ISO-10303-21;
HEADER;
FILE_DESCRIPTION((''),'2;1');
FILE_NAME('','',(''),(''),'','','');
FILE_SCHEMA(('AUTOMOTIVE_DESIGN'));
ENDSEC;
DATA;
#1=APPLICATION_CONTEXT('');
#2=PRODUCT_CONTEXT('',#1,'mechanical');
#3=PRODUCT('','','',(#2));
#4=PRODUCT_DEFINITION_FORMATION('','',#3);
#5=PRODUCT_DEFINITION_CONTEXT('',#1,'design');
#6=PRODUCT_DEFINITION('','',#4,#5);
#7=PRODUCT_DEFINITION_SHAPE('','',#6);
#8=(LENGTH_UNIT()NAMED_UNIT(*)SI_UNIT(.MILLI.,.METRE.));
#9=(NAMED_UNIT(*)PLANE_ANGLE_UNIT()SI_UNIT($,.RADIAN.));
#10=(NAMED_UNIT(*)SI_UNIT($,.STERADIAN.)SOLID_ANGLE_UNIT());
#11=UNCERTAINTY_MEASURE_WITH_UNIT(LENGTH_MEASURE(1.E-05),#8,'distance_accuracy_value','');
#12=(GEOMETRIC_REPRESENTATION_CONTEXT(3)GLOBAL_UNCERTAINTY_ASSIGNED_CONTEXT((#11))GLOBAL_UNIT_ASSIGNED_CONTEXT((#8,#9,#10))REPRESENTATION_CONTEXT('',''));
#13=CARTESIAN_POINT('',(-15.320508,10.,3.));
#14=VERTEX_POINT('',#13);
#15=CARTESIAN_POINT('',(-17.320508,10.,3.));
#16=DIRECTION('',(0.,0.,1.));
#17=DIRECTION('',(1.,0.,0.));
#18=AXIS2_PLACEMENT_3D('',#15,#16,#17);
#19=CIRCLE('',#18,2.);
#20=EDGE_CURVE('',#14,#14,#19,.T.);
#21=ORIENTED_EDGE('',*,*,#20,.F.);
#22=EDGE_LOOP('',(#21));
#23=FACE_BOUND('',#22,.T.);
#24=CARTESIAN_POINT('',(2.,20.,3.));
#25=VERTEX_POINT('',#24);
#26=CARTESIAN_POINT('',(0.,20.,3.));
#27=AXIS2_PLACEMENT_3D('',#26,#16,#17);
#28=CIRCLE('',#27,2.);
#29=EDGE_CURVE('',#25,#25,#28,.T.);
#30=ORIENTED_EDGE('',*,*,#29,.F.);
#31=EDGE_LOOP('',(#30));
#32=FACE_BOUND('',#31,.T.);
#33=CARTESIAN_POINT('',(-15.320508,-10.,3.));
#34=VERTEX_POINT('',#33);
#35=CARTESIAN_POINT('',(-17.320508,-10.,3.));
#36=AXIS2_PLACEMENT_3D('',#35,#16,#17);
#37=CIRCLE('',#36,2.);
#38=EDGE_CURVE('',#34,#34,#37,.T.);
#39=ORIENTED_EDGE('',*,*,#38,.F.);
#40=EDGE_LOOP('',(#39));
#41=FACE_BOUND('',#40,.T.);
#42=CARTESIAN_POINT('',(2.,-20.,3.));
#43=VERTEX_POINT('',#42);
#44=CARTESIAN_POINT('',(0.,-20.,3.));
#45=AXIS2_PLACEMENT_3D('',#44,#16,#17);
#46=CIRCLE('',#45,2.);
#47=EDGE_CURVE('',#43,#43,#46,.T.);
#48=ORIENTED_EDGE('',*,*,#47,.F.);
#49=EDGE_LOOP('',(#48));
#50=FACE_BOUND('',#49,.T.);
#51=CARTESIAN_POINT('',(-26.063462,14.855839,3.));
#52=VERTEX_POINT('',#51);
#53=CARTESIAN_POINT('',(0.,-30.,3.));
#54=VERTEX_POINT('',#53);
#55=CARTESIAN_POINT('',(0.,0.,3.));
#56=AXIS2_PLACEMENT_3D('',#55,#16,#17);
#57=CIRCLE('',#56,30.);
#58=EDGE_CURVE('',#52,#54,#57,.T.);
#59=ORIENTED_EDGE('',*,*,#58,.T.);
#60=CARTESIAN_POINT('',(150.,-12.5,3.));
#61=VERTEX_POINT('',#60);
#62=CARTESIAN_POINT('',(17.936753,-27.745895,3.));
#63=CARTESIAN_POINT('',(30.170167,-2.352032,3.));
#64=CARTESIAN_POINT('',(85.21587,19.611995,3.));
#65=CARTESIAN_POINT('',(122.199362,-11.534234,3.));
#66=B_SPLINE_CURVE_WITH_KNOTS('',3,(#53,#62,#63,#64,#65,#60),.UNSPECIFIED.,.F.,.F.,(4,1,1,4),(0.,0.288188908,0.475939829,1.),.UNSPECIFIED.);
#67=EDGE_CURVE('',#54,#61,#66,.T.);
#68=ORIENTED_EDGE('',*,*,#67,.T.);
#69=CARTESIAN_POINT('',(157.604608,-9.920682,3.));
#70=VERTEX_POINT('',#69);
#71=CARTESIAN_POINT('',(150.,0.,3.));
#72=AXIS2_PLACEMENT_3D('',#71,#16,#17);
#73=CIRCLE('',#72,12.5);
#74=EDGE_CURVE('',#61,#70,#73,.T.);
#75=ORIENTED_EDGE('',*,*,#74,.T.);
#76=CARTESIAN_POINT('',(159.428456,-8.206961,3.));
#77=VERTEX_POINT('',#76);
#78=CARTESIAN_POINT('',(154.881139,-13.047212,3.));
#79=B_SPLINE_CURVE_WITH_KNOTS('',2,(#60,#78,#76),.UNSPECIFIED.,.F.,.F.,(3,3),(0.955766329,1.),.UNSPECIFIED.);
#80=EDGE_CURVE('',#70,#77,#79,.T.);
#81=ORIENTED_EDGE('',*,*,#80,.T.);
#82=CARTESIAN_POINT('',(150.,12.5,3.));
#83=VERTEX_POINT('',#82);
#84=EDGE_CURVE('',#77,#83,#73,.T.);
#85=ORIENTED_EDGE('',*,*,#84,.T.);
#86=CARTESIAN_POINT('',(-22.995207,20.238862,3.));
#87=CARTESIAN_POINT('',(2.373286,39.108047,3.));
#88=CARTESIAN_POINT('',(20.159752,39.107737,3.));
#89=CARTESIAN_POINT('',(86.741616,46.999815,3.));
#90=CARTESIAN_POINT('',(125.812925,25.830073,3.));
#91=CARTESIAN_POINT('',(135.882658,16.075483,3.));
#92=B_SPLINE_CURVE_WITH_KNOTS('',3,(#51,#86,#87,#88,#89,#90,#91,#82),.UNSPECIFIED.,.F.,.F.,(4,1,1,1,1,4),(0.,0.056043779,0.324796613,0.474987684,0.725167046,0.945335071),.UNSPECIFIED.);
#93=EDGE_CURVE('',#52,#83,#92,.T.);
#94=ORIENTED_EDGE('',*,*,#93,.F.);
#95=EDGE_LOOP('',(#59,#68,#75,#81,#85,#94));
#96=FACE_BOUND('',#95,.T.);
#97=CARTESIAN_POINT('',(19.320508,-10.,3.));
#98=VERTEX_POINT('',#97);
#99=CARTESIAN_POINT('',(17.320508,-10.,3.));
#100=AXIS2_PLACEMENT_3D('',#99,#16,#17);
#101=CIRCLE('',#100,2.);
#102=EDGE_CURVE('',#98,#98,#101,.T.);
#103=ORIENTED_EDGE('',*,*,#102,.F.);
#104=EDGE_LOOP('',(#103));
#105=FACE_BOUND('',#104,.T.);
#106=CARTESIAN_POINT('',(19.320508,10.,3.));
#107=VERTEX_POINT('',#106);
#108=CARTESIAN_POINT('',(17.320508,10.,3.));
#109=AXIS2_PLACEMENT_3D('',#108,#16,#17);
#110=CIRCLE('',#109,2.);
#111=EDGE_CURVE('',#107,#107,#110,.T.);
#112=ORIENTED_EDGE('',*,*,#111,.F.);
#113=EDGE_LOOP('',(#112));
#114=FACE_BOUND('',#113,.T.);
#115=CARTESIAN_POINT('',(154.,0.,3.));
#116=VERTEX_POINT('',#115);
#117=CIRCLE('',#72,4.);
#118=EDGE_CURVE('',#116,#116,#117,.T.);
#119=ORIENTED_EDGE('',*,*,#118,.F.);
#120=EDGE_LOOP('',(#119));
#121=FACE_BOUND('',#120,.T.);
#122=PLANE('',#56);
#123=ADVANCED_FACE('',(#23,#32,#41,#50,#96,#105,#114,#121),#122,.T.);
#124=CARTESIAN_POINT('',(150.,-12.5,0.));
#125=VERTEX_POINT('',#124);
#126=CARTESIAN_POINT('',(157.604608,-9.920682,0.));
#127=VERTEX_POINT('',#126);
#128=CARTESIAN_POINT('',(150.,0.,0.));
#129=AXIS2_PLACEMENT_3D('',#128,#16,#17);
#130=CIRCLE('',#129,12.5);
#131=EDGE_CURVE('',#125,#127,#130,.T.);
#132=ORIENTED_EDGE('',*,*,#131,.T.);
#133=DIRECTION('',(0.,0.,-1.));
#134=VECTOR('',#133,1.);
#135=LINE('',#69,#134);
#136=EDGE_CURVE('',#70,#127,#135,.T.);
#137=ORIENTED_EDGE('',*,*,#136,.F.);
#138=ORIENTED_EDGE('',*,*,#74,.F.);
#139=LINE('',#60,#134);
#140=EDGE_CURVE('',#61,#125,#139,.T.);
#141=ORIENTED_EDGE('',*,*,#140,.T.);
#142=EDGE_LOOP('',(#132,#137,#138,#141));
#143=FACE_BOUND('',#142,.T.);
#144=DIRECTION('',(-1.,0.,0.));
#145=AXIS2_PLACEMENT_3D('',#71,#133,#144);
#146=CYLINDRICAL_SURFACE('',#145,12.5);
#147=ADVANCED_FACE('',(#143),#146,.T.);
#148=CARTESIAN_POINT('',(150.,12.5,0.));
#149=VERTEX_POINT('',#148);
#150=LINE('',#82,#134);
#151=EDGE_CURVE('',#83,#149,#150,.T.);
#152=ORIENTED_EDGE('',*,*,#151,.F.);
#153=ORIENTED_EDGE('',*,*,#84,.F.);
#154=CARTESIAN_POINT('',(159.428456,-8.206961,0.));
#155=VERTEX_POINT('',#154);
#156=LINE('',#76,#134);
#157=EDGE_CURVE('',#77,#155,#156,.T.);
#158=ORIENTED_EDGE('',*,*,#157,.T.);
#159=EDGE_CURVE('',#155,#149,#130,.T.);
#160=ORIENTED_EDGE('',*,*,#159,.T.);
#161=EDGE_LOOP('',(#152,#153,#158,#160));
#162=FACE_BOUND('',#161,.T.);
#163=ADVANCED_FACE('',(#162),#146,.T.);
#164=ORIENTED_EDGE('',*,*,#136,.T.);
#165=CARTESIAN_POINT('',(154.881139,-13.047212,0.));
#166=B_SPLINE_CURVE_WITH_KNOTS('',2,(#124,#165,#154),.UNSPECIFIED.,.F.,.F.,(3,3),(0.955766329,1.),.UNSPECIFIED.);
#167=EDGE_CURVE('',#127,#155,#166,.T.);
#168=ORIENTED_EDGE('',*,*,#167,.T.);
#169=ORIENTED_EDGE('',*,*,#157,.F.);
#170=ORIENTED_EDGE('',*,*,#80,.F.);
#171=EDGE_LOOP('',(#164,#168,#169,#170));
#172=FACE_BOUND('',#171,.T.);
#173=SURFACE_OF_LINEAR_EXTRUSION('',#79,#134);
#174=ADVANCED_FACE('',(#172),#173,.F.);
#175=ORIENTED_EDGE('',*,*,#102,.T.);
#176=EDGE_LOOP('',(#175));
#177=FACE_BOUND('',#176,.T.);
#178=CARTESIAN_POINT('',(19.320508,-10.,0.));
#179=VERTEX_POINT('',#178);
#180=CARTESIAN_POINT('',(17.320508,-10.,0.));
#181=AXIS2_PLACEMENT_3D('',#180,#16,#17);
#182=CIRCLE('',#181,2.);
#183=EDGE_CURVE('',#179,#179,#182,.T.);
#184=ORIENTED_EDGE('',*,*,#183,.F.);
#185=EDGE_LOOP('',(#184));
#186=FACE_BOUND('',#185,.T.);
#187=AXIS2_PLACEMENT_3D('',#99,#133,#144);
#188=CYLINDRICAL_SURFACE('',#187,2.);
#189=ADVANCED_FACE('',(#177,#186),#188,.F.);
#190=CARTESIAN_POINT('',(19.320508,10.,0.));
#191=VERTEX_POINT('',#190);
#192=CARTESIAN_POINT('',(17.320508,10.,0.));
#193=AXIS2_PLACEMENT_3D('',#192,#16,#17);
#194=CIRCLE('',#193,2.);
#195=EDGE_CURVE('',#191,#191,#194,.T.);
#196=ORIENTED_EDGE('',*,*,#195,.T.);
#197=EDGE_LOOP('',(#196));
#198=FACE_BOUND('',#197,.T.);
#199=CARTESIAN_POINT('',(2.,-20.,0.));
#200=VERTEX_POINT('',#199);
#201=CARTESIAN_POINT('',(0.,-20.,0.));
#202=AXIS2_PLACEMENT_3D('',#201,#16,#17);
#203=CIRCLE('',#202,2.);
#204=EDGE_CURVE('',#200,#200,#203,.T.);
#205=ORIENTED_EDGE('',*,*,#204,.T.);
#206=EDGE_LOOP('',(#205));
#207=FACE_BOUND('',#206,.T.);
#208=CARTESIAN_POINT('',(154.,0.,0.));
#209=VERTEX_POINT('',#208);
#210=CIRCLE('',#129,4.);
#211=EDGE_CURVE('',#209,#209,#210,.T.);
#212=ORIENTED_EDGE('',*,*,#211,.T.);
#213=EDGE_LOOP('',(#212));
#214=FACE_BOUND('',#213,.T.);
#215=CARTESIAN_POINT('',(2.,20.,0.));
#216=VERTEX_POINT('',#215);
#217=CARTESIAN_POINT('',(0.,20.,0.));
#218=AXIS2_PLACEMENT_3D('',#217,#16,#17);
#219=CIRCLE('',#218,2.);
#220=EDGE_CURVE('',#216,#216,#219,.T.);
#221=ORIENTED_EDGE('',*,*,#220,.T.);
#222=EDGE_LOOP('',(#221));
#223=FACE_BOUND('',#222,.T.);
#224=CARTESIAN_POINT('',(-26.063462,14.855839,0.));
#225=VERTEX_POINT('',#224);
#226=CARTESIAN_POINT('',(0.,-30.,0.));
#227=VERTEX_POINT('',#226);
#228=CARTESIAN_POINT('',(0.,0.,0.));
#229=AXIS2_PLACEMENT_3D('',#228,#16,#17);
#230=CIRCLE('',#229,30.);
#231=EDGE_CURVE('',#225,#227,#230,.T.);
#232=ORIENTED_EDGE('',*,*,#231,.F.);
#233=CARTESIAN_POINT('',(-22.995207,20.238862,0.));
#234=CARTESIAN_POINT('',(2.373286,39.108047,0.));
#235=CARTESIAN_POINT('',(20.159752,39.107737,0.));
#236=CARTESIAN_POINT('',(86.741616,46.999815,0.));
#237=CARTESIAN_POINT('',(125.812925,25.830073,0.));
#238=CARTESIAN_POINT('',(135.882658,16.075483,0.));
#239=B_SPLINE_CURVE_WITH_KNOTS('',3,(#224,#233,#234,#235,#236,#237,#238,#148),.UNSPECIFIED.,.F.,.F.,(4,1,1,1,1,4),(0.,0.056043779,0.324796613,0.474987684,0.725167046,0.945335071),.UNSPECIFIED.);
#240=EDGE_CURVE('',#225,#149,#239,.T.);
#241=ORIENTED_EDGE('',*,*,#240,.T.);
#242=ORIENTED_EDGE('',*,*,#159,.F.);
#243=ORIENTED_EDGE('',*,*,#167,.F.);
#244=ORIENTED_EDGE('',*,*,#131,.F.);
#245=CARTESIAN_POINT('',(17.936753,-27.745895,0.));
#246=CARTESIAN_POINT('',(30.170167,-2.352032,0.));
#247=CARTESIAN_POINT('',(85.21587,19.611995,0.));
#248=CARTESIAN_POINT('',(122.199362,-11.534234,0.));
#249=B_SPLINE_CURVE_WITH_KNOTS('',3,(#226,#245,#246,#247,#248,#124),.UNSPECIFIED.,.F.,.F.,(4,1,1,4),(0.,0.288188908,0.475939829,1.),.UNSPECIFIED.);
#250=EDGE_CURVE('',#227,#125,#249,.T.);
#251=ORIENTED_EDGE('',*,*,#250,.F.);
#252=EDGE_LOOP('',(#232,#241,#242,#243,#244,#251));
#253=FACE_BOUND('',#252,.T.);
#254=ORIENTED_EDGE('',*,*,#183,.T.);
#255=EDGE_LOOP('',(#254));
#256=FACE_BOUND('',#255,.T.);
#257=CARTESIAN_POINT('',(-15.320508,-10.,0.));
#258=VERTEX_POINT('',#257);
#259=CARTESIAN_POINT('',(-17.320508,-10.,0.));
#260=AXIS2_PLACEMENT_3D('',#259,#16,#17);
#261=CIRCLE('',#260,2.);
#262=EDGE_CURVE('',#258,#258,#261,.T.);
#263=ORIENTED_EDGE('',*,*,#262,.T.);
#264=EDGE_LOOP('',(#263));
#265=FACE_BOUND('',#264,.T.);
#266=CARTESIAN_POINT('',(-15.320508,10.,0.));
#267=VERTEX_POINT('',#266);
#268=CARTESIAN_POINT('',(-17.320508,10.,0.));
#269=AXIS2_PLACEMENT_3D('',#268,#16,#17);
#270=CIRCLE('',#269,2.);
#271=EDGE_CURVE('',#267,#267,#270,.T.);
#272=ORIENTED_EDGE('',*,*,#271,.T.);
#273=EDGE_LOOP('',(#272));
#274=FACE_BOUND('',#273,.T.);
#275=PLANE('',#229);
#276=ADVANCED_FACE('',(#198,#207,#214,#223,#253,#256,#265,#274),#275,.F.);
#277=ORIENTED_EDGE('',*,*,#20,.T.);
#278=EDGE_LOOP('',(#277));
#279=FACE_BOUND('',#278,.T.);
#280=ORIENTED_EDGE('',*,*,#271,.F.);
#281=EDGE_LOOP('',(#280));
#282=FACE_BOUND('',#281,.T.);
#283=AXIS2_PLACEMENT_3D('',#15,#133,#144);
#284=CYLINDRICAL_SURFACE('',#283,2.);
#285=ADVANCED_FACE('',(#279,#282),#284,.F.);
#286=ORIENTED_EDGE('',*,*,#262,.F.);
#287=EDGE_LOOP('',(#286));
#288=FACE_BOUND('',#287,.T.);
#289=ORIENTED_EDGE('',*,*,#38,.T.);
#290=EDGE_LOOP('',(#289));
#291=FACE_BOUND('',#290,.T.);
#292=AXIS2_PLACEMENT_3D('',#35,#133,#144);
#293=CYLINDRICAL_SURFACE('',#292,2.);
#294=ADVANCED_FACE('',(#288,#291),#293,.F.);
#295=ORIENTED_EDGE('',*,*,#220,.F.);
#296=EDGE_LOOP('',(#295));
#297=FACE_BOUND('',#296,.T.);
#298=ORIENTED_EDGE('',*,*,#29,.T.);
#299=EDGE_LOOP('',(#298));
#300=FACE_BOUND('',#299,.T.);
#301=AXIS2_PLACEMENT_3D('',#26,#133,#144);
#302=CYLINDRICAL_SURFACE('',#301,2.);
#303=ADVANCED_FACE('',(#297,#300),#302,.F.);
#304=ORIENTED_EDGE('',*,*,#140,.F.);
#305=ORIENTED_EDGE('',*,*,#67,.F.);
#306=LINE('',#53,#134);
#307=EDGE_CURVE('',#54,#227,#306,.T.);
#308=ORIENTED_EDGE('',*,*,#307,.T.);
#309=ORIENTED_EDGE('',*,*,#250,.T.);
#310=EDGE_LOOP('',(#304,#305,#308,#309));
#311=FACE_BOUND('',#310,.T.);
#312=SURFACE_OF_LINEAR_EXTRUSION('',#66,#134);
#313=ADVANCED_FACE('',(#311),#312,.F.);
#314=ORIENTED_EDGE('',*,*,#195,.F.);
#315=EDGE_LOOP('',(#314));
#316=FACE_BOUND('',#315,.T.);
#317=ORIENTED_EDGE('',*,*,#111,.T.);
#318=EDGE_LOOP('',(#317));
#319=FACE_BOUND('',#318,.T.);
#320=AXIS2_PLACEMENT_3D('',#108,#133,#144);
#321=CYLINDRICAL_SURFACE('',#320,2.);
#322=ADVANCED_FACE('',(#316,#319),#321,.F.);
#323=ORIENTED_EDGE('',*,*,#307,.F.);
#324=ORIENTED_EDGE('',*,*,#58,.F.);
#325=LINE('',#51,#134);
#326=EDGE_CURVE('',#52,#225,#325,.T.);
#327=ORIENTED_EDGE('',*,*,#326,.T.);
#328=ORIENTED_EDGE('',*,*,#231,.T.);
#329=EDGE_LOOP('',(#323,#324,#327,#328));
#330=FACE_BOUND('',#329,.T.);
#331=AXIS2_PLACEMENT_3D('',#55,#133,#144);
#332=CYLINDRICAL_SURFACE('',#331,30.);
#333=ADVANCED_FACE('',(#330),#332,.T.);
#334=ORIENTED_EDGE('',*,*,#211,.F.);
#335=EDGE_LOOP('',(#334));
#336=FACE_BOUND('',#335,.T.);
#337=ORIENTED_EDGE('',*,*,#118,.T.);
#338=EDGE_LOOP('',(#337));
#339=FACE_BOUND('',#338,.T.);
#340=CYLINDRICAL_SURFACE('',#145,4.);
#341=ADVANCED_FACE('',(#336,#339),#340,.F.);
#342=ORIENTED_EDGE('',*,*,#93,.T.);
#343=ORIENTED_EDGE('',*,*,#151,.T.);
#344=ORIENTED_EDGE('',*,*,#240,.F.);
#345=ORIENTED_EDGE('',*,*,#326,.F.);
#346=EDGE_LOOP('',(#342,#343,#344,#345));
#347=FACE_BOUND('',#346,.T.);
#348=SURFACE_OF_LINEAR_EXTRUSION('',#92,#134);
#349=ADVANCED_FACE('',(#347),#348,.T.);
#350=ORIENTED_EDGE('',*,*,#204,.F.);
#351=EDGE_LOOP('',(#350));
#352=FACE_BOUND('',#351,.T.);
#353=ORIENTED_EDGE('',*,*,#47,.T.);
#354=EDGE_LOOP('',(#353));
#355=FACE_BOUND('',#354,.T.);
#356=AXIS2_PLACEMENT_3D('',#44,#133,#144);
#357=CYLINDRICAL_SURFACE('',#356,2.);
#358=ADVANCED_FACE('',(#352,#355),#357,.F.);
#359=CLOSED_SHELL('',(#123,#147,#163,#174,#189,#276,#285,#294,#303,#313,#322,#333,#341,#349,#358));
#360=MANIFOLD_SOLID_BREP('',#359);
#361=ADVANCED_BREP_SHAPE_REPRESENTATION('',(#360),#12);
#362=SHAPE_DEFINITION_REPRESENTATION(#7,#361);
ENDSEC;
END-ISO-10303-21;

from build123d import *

# Parameters (mm, degrees)
SKETCH1_R           = 2
SKETCH1_R_2         = 4
BOSS_EXTRUDE3_DEPTH = 3


with BuildPart() as part:
    # Sketch1 → Boss-Extrude3 (new body)
    with BuildSketch(Plane.XY):
        with BuildLine():
            add(Edge.make_bspline(
                [(-26.063461661, 14.855839466), (-22.995207495, 20.238862419), (-18.617864266, 23.494747377), (-14.633714845, 26.188821849)],
                knots=[0, 0, 0, 0, 0.056043779, 0.056043779, 0.056043779, 0.056043779], degree=3))
            ThreePointArc((-26.063461661, 14.855839466), (-25.939113169, -15.071907909), (0, -30))
            add(Edge.make_bspline(
                [(0, -30), (17.93675339, -27.745895163), (30.170167076, -2.352031791), (85.215870065, 19.611994815), (122.19936238, -11.53423425), (150, -12.5)],
                knots=[0, 0, 0, 0, 0.288188908, 0.475939829, 1, 1, 1, 1], degree=3))
            ThreePointArc((150, -12.5), (154.015063849, -11.837620635), (157.604608427, -9.920681966))
            add(Edge.make_bspline(
                [(157.604608427, -9.920681966), (158.523147842, -9.170588579), (159.428456142, -8.206961361)],
                knots=[0.991193685, 0.991193685, 0.991193685, 1, 1, 1], degree=2))
            ThreePointArc((159.428456142, -8.206961361), (161.376225583, 5.179912306), (150, 12.5))
            add(Edge.make_bspline(
                [(-14.633714845, 26.188821849), (4.471910737, 39.10801054), (20.159751535, 39.107737434), (86.741615763, 46.999815307), (125.812924925, 25.830072722), (135.882657692, 16.075482759), (150, 12.5)],
                knots=[0.056043779, 0.056043779, 0.056043779, 0.056043779, 0.324796613, 0.474987684, 0.725167046, 0.945335071, 0.945335071, 0.945335071, 0.945335071], degree=3))
        make_face()
        with Locations((17.320508076, 10)):
            Circle(SKETCH1_R, mode=Mode.SUBTRACT)
        with Locations((0, 20)):
            Circle(SKETCH1_R, mode=Mode.SUBTRACT)
        with Locations((-17.320508076, 10)):
            Circle(SKETCH1_R, mode=Mode.SUBTRACT)
        with Locations((-17.320508076, -10)):
            Circle(SKETCH1_R, mode=Mode.SUBTRACT)
        with Locations((0, -20)):
            Circle(SKETCH1_R, mode=Mode.SUBTRACT)
        with Locations((17.320508076, -10)):
            Circle(SKETCH1_R, mode=Mode.SUBTRACT)
        with Locations((150, 0)):
            Circle(SKETCH1_R_2, mode=Mode.SUBTRACT)
    extrude(amount=BOSS_EXTRUDE3_DEPTH)


solid = part.part
